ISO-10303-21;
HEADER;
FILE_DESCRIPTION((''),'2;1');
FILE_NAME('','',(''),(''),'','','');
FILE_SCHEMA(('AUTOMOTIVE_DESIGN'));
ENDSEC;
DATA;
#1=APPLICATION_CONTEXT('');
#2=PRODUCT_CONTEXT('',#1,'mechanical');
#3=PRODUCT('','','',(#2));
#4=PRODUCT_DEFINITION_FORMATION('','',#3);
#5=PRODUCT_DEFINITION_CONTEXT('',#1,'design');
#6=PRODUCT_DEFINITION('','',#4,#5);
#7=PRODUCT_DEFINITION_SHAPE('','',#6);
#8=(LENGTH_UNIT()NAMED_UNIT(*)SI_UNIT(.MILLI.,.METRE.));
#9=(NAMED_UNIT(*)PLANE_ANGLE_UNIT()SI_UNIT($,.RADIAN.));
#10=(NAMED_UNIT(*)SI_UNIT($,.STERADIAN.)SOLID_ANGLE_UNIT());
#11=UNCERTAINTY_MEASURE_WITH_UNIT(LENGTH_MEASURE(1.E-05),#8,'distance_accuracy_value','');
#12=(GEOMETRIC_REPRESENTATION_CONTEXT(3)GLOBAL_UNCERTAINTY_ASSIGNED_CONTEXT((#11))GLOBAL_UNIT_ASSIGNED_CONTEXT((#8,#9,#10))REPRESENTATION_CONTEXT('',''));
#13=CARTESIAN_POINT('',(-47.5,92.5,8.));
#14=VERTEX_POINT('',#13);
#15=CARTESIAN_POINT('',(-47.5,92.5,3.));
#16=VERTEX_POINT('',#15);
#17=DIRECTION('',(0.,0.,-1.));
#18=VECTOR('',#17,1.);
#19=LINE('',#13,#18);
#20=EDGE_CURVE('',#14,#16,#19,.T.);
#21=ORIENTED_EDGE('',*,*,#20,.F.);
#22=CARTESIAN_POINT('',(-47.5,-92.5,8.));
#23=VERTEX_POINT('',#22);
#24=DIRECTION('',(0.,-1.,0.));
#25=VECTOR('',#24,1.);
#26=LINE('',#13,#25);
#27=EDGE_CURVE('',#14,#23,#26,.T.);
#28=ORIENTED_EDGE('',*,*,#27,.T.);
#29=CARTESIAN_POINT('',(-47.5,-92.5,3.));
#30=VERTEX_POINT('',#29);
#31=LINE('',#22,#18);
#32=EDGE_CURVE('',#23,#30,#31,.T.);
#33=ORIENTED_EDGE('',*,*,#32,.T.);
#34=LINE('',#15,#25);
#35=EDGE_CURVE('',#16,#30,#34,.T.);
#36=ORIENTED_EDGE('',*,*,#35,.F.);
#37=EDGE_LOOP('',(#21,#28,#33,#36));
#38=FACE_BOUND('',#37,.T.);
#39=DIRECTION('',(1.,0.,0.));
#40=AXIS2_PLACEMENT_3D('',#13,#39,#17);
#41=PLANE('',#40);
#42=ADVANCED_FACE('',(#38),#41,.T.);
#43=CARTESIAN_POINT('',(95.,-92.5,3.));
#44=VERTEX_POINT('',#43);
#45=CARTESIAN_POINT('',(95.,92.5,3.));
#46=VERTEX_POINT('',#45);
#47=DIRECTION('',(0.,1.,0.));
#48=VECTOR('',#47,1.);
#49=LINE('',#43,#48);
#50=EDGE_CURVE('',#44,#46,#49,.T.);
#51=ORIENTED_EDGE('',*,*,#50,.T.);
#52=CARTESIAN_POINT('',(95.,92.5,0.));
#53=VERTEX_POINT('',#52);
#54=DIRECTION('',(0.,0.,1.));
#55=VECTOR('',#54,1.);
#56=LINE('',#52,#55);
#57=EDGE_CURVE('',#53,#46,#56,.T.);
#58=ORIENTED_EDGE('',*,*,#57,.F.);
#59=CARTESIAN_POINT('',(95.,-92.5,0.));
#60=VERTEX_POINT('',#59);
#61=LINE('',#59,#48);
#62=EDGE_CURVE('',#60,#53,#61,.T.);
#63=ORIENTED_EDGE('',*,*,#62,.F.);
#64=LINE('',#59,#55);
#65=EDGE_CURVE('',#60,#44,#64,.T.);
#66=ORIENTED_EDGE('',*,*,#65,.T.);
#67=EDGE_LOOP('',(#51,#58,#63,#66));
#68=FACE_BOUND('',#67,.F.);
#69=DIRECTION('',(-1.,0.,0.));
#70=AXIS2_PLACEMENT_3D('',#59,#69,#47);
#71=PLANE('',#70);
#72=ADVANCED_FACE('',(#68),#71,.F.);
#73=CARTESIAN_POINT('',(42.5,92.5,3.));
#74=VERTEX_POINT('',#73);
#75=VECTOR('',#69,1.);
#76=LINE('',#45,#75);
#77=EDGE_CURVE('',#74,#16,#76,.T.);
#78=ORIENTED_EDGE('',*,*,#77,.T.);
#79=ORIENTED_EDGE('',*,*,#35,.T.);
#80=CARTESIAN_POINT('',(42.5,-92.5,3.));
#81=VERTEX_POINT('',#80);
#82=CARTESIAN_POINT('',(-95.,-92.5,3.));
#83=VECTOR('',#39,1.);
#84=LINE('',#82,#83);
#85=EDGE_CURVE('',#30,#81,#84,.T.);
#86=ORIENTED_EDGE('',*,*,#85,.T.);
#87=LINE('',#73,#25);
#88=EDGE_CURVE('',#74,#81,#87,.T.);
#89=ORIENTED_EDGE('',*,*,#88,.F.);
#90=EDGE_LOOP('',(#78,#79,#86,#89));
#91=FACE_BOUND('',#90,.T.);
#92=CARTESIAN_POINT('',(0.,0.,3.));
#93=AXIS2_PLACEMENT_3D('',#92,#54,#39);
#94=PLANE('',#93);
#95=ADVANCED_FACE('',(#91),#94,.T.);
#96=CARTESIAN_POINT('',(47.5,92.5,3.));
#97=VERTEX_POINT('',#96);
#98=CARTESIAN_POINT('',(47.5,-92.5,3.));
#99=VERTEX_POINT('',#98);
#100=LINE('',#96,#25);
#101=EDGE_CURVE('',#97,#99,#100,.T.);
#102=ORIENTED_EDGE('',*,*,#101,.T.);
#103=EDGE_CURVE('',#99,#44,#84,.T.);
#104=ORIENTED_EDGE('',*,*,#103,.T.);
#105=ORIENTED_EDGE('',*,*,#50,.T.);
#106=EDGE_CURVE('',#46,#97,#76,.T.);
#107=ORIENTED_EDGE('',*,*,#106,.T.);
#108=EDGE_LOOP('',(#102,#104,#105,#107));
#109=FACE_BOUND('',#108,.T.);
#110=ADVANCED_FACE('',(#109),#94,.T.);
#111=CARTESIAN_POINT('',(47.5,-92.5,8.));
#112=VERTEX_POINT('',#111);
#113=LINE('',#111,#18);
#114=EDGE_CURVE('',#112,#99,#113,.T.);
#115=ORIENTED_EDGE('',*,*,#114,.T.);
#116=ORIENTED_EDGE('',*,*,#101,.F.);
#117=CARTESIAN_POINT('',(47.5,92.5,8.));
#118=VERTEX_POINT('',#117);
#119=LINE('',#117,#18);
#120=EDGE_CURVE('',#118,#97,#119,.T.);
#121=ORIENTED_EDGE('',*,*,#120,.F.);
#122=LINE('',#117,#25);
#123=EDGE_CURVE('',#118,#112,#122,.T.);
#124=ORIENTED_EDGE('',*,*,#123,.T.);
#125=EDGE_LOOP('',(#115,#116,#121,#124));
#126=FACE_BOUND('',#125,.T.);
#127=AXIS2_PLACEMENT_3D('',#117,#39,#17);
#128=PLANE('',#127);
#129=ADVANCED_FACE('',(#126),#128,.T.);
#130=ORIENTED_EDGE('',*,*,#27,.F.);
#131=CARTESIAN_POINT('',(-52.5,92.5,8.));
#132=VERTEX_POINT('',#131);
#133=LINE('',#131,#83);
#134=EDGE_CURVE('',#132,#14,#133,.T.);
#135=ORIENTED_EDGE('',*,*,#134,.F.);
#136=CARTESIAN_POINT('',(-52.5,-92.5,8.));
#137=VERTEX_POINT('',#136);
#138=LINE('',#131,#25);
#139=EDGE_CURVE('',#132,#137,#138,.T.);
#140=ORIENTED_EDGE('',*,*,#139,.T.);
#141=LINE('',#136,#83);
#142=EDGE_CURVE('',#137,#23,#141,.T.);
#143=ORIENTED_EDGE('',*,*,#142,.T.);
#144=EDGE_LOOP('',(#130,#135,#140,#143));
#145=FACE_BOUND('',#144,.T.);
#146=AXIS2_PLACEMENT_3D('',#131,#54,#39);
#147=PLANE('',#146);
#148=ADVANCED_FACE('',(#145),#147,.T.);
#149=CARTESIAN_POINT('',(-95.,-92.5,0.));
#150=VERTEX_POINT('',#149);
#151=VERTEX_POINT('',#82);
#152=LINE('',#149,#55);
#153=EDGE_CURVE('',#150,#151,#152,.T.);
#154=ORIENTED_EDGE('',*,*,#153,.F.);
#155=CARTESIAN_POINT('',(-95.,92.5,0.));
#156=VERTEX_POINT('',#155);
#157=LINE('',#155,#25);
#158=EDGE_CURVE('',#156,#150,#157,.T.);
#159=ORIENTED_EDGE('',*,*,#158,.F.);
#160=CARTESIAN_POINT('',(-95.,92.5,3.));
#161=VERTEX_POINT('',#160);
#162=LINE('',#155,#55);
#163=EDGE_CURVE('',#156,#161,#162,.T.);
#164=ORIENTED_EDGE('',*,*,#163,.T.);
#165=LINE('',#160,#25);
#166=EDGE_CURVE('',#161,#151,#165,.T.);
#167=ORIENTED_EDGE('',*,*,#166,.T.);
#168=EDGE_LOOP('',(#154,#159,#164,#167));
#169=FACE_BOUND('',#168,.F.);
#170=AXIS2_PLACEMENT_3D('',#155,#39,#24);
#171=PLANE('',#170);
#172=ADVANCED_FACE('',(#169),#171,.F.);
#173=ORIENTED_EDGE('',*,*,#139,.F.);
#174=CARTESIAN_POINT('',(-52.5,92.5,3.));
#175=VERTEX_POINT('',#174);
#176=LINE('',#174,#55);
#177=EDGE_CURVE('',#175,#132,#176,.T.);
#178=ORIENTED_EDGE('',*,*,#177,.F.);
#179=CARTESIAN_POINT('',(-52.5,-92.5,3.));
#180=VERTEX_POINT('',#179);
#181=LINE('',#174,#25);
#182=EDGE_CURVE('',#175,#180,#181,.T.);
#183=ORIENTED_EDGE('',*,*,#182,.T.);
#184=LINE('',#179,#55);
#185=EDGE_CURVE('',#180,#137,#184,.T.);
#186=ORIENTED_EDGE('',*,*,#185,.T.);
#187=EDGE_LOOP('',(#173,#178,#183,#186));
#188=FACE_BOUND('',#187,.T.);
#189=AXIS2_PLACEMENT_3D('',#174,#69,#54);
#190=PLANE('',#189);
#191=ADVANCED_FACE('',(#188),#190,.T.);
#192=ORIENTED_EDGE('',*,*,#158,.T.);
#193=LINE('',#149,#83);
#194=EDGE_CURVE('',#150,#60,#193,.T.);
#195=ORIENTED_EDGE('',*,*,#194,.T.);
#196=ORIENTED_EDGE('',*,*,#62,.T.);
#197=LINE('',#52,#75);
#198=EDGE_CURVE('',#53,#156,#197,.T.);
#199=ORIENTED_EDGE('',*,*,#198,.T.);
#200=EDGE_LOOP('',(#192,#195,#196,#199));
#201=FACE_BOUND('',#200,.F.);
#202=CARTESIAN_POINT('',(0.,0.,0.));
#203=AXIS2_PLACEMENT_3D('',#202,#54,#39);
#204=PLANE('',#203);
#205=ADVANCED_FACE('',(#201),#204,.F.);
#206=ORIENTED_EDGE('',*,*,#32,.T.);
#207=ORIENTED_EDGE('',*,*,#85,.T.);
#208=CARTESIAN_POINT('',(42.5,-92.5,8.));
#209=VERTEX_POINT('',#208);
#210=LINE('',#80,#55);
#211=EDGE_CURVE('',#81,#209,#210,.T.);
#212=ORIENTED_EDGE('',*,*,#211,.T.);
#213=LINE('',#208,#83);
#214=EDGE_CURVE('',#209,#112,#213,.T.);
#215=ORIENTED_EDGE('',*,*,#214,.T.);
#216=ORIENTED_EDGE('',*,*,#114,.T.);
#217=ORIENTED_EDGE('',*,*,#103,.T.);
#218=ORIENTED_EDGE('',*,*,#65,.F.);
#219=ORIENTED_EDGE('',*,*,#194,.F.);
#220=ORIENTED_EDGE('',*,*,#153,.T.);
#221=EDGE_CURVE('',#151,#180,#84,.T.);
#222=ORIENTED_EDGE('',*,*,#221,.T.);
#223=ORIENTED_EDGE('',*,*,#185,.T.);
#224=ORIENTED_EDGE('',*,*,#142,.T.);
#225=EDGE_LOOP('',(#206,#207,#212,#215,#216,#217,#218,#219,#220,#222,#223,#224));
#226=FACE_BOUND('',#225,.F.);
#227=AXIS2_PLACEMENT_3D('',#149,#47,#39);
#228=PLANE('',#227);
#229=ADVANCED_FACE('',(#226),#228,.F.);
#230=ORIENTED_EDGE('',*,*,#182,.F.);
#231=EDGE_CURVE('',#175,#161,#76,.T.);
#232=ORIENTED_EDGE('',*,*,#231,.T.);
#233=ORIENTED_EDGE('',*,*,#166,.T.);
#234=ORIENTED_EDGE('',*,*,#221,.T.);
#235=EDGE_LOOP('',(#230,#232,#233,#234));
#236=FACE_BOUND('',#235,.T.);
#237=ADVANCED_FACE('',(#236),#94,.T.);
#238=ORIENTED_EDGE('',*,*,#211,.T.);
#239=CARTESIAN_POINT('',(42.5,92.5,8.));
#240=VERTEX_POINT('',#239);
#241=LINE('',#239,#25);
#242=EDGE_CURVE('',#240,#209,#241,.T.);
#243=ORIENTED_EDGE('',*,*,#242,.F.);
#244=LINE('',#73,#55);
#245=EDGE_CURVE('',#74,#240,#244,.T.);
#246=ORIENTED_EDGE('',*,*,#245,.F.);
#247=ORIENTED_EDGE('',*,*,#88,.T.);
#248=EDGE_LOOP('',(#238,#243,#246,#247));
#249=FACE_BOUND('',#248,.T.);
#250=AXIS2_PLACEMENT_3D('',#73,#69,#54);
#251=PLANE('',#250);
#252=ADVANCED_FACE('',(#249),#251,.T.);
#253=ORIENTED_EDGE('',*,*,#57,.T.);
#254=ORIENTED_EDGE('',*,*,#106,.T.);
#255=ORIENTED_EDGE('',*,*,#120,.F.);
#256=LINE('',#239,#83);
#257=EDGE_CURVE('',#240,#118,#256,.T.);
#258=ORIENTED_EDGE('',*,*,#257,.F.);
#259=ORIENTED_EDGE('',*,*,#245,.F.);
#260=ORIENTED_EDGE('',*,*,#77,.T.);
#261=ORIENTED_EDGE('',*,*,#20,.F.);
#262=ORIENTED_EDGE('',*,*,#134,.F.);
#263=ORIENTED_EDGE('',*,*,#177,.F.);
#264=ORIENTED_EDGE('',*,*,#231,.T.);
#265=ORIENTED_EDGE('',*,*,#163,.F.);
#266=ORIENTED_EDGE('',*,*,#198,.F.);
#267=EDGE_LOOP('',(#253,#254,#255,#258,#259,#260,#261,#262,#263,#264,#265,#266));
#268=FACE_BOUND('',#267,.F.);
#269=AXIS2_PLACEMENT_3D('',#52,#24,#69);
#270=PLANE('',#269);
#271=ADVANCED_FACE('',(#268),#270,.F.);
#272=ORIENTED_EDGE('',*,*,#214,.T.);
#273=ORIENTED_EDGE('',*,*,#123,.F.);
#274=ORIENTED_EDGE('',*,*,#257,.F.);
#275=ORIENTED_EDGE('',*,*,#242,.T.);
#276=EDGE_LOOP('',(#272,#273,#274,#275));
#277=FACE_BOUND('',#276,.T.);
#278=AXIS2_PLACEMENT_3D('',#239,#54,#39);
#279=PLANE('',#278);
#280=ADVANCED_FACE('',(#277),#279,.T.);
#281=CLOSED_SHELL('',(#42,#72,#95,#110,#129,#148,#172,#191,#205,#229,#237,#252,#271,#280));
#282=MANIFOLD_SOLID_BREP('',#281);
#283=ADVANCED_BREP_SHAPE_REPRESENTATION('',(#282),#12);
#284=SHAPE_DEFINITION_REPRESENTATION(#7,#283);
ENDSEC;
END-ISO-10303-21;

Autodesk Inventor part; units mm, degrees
ref_plane "YZ Plane" through (0, 0, 0) normal (1, 0, 0) x (0, 1, 0)
ref_plane "XZ Plane" through (0, 0, 0) normal (0, 1, 0) x (-1, 0, 0)
ref_plane "XY Plane" through (0, 0, 0) normal (0, 0, 1) x (1, 0, 0)
sketch "Sketch1" plane through (0, 0, 0) normal (0, 0, 1) x (1, 0, 0)
  line L0 (-95, -92.5) -> (95, -92.5)
  line L1 (95, -92.5) -> (95, 92.5)
  line L2 (95, 92.5) -> (-95, 92.5)
  line L3 (-95, 92.5) -> (-95, -92.5)
  line L4 (-95, -92.5) -> (95, 92.5) construction
  line L5 (95, -92.5) -> (-95, 92.5) construction
  point P0 (0, 0)
  dimension "d0" = 190
  dimension "d1" = 185
extrude "Extrusion1" add sketch "Sketch1" along normal blind 3
sketch "Sketch2" plane through (-95, 92.5, 0) normal (0, 1, 0) x (1, 0, 0)
  line L0 (190, -3) -> (0, -3) projected
  line L1 (142.5, -3) -> (137.5, -3)
  line L2 (137.5, -3) -> (137.5, -8)
  line L3 (137.5, -8) -> (142.5, -8)
  line L4 (142.5, -8) -> (142.5, -3)
  line L5 (47.5, -3) -> (42.5, -3)
  line L6 (42.5, -3) -> (42.5, -8)
  line L7 (42.5, -8) -> (47.5, -8)
  line L8 (47.5, -8) -> (47.5, -3)
  point P0 (95, 0)
  dimension "d4" = 5
  dimension "d5" = 5
  dimension "d6" = 5
  dimension "d7" = 5
  dimension "d8" = 47.5
  dimension "d9" = 142.5
extrude "Extrusion2" add sketch "Sketch2" against normal up to surface (185 mm away)
properties part number "poly carbonate plate" material "Polycarbonate, Clear"
